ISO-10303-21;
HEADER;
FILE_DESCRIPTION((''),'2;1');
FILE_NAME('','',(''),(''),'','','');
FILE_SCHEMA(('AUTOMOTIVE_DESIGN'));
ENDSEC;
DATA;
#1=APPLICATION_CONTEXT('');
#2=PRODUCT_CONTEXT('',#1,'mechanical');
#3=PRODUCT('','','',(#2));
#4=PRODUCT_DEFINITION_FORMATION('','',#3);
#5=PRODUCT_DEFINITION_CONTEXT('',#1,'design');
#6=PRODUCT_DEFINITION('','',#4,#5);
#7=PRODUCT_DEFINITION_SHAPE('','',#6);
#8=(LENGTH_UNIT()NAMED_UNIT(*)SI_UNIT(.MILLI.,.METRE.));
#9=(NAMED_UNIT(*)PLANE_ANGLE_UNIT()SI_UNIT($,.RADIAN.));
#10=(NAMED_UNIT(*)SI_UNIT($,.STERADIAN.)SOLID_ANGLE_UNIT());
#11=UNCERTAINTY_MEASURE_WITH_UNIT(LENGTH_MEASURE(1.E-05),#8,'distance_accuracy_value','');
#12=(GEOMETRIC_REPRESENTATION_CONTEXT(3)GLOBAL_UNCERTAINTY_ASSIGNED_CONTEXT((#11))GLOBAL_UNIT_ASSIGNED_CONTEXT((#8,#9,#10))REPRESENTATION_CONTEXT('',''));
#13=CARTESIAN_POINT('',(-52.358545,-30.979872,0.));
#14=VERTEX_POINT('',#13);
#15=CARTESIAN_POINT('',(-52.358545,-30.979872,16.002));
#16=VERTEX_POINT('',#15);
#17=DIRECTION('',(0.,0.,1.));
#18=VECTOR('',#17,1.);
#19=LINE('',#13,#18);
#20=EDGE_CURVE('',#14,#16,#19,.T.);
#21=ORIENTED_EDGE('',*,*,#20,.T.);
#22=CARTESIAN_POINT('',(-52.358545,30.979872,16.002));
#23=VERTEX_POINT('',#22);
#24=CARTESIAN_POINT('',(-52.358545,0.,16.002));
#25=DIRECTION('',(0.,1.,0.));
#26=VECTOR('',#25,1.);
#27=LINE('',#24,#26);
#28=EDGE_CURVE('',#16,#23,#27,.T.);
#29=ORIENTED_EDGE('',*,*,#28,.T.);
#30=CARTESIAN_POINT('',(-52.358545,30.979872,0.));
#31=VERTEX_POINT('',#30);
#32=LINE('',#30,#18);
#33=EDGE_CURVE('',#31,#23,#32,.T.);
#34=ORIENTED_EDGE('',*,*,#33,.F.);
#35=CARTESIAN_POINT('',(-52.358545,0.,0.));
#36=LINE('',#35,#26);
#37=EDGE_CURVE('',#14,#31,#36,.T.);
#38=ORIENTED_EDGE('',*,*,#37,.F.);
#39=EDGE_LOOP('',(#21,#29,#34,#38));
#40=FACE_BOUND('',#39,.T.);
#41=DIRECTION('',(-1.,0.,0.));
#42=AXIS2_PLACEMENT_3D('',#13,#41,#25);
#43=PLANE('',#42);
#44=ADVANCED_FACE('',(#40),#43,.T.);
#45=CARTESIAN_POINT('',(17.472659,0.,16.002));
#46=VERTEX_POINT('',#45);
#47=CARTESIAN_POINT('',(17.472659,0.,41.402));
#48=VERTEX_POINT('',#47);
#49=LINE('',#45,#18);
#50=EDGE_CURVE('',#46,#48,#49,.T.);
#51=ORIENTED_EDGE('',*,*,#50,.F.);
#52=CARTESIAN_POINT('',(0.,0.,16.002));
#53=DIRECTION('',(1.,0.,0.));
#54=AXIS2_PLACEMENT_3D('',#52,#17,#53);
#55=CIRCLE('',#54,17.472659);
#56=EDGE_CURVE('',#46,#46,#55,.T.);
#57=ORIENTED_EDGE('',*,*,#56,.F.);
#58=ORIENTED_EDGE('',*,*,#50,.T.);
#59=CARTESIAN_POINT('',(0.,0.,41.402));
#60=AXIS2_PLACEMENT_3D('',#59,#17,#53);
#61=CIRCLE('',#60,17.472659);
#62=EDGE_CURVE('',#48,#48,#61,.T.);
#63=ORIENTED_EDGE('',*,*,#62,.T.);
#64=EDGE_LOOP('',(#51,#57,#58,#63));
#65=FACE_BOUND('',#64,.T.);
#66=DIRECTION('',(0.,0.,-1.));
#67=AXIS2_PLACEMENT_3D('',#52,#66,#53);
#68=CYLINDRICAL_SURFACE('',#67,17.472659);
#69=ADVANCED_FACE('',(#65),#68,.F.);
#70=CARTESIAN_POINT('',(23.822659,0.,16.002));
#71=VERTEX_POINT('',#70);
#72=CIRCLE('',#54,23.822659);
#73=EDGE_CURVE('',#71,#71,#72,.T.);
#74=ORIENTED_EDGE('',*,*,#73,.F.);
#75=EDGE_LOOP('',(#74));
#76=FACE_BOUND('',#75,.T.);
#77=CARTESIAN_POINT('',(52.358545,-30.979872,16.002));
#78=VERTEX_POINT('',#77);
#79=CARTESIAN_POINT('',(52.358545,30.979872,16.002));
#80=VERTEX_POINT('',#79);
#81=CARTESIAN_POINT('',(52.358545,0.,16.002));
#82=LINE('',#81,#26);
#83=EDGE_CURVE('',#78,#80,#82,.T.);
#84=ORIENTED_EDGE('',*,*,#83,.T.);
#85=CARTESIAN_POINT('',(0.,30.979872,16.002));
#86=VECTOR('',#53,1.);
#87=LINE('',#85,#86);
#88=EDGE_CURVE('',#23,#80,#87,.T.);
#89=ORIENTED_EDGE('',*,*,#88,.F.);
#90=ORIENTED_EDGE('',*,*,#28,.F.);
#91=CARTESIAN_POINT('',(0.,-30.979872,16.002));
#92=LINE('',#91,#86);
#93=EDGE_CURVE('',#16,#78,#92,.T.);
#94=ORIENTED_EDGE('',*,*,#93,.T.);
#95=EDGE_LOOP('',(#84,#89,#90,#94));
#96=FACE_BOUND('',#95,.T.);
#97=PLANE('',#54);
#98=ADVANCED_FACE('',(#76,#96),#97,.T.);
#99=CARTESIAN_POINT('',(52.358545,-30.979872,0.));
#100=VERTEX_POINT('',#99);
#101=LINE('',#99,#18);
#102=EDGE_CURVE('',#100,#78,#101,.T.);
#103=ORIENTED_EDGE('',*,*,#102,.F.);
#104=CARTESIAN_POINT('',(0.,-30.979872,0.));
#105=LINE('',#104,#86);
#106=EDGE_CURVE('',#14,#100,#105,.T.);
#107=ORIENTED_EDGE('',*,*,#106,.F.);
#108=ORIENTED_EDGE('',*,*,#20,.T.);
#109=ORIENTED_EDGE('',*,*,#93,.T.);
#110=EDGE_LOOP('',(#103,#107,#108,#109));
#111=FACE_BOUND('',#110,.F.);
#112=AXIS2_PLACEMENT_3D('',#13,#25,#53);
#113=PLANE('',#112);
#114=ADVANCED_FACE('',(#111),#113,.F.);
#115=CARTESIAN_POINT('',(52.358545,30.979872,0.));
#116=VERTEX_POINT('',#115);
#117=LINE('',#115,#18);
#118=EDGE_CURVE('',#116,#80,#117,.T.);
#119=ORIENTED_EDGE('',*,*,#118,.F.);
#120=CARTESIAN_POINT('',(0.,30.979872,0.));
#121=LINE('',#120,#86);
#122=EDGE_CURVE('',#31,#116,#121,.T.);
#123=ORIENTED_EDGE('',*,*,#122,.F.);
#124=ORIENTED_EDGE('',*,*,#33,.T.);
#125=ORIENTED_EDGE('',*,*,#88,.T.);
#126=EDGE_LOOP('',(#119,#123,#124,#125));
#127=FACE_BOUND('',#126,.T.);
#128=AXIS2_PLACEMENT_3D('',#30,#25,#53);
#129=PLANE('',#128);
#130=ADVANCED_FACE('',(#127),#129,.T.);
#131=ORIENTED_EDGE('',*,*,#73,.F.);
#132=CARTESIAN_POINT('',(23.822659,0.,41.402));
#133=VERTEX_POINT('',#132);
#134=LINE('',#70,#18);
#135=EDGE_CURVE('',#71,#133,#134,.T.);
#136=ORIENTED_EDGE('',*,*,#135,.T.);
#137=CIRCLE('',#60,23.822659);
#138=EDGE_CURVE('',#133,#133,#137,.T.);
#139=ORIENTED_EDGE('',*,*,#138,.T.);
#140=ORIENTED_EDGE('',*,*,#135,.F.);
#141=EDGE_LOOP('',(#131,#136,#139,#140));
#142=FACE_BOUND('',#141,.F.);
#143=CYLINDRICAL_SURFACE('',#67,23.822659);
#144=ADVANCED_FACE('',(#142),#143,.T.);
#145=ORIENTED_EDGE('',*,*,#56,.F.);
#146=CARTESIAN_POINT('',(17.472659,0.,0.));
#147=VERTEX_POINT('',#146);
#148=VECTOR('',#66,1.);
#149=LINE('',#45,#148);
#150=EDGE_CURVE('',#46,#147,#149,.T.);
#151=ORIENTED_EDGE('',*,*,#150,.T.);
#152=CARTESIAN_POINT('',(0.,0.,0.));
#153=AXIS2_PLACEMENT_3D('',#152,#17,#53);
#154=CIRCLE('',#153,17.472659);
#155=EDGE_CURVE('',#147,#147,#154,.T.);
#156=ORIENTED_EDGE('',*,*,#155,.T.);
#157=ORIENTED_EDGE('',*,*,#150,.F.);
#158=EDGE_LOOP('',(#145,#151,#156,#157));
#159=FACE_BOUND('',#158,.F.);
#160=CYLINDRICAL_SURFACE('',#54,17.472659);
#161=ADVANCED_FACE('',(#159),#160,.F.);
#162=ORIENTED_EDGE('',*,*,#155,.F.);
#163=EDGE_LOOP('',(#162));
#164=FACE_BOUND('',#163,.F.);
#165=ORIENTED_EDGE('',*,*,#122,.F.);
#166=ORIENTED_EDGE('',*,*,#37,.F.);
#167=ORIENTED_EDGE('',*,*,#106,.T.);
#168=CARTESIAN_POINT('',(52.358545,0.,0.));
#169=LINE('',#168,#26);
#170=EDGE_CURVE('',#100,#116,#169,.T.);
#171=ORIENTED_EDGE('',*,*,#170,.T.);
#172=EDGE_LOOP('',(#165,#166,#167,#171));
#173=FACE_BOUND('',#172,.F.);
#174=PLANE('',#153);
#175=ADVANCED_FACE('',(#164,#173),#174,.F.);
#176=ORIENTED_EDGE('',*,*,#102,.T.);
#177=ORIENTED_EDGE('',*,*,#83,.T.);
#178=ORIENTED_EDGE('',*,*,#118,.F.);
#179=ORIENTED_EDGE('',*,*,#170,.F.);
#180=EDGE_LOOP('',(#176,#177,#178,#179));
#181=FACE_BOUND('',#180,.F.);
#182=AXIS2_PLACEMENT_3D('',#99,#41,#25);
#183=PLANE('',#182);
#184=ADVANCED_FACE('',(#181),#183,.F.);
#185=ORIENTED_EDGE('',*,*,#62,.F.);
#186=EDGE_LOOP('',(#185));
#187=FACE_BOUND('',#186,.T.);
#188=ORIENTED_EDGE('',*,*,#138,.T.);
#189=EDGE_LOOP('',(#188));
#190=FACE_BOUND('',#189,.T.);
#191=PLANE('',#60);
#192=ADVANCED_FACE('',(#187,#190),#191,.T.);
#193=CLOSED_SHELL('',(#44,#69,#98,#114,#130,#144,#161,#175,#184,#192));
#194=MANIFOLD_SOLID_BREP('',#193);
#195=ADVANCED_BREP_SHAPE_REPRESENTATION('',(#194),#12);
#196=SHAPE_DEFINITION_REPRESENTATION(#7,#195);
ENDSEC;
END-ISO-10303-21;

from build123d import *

# Parameters (mm, degrees)
F0_W      = 104.71709
F0_H      = 61.959744
F1_DEPTH  = 16.002
F2_R      = 23.822659
F2_R_2    = 17.472659
F3_DEPTH  = 25.4
F3_FACE_R = 17.472659
F4_DEPTH  = 25.4


with BuildPart() as f1:
    # F0 (on Top) → F1 (new body)
    with BuildSketch(Plane.XY):
        Rectangle(F0_W, F0_H)
    extrude(amount=F1_DEPTH)

    # F2 (on face) → F3 (join)
    with BuildSketch(Plane.XY.offset(16.002)):
        Circle(F2_R)
        Circle(F2_R_2, mode=Mode.SUBTRACT)
    extrude(amount=F3_DEPTH)

    # F3_face (on face) → F4 (cut)
    with BuildSketch(Plane.XY.offset(16.002)):
        Circle(F3_FACE_R)
    extrude(amount=-F4_DEPTH, mode=Mode.SUBTRACT)


solid = f1.part
